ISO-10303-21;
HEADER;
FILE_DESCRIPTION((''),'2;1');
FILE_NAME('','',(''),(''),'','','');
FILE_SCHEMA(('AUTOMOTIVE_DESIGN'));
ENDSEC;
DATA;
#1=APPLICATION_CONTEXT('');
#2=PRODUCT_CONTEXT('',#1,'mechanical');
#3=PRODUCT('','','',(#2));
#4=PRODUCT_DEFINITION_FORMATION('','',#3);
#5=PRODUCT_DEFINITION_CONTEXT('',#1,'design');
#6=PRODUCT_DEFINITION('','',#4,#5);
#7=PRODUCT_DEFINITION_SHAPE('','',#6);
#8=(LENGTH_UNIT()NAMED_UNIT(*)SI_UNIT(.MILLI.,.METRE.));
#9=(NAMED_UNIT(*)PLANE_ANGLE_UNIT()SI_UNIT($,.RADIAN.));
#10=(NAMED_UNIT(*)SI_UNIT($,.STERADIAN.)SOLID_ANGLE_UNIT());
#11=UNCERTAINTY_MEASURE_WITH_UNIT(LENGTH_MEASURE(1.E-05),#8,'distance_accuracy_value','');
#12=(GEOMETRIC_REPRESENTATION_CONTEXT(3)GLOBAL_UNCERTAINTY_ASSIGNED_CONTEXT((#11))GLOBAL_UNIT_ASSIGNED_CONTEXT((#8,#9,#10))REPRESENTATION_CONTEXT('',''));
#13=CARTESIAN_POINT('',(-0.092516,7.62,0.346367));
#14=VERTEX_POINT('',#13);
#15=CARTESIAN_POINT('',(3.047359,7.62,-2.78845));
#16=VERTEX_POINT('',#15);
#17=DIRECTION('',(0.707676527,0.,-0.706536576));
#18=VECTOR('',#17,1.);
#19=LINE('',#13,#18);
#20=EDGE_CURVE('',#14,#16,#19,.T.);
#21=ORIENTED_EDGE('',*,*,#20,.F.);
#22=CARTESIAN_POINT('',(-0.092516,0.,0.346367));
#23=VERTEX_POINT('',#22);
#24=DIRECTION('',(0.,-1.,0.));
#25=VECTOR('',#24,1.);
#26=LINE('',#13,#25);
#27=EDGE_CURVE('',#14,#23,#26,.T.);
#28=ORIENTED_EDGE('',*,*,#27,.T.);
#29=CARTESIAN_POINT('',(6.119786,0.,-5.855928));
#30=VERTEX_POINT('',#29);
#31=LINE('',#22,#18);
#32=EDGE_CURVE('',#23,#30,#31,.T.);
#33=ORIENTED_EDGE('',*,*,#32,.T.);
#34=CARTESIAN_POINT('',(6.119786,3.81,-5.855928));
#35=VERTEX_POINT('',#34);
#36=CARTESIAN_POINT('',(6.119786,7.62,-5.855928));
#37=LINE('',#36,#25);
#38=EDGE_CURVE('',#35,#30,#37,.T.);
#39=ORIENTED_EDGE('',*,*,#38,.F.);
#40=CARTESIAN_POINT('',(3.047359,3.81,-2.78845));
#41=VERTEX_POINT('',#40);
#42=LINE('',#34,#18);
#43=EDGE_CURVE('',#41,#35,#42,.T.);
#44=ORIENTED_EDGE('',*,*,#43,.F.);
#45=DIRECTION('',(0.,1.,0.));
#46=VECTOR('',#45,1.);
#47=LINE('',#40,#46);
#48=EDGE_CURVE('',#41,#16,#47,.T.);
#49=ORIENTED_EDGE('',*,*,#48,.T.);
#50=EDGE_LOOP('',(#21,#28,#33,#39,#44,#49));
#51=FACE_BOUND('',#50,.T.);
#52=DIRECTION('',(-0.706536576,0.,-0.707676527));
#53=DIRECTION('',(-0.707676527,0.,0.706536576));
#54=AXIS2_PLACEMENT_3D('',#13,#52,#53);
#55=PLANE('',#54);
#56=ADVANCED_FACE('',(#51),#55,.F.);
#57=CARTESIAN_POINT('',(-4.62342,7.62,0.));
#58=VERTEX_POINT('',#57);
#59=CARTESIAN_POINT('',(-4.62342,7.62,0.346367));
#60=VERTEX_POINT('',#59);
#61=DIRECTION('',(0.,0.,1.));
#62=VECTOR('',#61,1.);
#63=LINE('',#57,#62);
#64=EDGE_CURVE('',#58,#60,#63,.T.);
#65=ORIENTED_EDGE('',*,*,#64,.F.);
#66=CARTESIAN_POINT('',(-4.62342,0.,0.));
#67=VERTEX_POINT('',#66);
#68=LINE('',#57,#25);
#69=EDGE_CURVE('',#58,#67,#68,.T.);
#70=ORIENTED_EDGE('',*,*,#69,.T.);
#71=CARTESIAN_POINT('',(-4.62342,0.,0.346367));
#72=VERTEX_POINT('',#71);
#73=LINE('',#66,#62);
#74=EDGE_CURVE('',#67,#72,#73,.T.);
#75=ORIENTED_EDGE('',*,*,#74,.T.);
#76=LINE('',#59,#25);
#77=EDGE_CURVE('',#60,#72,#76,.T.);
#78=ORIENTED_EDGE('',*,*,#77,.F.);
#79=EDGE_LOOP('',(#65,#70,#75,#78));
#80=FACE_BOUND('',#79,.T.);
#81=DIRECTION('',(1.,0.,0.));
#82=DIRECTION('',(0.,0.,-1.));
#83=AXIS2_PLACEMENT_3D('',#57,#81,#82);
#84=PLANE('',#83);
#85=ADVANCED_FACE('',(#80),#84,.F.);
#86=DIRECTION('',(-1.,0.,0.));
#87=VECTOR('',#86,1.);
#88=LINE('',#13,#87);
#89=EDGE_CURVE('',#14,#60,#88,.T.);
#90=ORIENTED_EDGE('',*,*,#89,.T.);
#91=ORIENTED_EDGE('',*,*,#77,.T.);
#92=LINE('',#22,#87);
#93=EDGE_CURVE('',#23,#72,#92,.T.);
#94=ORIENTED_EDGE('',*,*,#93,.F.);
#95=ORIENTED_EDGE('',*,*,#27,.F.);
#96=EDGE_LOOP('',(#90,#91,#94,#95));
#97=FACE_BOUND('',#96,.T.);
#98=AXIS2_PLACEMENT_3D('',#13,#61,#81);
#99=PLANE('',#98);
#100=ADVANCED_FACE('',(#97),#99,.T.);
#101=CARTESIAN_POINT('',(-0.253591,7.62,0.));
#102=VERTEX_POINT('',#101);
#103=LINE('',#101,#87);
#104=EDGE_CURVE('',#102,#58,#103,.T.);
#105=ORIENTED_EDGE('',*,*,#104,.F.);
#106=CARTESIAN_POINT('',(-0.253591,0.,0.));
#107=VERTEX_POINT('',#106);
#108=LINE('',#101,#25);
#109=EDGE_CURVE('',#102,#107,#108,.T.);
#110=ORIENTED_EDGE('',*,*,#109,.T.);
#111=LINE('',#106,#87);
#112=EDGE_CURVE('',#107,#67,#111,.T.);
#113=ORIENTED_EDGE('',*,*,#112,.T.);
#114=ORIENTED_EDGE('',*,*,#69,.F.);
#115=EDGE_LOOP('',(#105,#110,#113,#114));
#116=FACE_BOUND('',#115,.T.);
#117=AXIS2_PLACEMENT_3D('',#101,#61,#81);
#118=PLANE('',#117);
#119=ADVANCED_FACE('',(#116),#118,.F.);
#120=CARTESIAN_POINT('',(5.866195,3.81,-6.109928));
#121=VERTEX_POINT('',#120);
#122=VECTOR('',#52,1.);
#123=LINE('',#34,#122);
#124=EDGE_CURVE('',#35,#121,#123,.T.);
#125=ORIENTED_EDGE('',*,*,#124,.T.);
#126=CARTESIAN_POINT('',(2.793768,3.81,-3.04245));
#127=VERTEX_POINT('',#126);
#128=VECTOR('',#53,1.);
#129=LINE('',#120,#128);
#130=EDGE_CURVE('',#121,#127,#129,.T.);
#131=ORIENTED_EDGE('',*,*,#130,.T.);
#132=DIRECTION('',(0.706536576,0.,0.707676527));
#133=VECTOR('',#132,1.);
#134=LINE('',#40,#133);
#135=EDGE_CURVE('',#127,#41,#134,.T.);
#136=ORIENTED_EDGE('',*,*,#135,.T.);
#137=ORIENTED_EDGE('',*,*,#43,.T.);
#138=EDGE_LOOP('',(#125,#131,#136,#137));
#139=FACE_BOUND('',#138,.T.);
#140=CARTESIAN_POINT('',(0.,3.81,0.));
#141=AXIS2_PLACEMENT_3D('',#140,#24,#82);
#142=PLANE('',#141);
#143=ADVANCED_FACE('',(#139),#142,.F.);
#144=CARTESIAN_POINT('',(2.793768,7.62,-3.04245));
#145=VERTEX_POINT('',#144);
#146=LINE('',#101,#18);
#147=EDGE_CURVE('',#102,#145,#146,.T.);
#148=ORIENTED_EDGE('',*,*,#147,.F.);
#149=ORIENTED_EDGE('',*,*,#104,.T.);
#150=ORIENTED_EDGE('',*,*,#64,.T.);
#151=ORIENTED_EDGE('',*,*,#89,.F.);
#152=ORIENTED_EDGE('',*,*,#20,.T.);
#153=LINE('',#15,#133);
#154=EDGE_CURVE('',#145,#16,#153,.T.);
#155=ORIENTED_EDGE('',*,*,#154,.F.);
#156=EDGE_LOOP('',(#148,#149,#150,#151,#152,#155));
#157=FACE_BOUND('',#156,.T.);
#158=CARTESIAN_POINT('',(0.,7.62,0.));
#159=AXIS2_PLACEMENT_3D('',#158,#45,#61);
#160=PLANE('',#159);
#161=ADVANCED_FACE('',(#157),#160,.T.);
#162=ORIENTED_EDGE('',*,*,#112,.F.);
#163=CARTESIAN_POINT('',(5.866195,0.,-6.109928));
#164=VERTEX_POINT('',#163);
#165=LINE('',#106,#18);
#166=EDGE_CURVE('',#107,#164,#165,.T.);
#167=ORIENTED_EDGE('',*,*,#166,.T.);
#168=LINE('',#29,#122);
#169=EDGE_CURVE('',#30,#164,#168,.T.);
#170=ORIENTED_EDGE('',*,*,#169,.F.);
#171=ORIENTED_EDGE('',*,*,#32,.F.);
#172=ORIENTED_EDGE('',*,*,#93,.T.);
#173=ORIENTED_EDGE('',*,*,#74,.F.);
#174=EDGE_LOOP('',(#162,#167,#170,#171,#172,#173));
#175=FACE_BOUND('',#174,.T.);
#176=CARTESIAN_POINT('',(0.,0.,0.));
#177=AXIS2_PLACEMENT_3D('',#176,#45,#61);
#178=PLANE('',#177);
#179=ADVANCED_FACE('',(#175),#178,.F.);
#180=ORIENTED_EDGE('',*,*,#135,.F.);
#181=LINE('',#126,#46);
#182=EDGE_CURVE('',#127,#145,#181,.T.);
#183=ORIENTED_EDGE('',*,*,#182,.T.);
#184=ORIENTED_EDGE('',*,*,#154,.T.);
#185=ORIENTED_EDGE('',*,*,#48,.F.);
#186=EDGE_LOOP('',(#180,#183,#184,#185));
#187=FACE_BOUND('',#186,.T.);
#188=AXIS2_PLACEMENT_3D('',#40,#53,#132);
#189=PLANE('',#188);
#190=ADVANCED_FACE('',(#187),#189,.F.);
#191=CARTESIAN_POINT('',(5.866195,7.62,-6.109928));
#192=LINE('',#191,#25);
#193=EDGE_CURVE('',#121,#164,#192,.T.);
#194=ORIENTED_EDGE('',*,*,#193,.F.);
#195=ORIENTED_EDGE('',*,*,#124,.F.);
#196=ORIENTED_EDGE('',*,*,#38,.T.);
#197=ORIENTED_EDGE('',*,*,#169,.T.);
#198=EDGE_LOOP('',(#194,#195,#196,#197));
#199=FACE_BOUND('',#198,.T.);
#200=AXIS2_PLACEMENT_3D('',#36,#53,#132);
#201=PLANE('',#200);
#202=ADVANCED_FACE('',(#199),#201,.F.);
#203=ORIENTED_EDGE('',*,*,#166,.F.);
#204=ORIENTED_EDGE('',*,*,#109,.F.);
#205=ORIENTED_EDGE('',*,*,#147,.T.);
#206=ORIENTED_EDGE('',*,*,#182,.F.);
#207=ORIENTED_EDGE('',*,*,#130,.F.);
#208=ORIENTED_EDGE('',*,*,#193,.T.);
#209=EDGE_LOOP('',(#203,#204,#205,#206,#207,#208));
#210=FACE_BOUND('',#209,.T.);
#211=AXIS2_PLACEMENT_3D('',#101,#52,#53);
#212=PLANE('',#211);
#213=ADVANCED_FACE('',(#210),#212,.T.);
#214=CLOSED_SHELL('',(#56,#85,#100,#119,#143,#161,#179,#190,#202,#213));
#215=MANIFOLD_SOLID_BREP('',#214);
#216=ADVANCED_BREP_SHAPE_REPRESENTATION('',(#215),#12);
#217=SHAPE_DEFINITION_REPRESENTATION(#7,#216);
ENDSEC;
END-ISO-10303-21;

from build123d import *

# Parameters (mm, degrees)
BOSS_EXTRUDE1_DEPTH = 7.62
CUT_EXTRUDE2_DEPTH  = 3.81


with BuildPart() as part:
    # Sketch1 → Boss-Extrude1 (new body)
    with BuildSketch(Plane(origin=(0, 0, 0), x_dir=(1, 0, 0), z_dir=(0, 1, 0))):
        Polygon((-0.253590848, 0), (-4.623419976, 0), (-4.623419976, -0.346366729), (-0.092515757, -0.346366729), (6.119785938, 5.855927972), (5.86619509, 6.109927972), align=None)
    extrude(amount=BOSS_EXTRUDE1_DEPTH)

    # Sketch3 → Cut-Extrude2 (cut)
    with BuildSketch(Plane(origin=(0, 7.62, 0), x_dir=(1, 0, 0), z_dir=(0, 1, 0))):
        Polygon((6.119785938, 5.855927972), (5.86619509, 6.109927972), (2.793767925, 3.042449981), (3.047358773, 2.788449981), align=None)
    extrude(amount=-CUT_EXTRUDE2_DEPTH, mode=Mode.SUBTRACT)


solid = part.part
